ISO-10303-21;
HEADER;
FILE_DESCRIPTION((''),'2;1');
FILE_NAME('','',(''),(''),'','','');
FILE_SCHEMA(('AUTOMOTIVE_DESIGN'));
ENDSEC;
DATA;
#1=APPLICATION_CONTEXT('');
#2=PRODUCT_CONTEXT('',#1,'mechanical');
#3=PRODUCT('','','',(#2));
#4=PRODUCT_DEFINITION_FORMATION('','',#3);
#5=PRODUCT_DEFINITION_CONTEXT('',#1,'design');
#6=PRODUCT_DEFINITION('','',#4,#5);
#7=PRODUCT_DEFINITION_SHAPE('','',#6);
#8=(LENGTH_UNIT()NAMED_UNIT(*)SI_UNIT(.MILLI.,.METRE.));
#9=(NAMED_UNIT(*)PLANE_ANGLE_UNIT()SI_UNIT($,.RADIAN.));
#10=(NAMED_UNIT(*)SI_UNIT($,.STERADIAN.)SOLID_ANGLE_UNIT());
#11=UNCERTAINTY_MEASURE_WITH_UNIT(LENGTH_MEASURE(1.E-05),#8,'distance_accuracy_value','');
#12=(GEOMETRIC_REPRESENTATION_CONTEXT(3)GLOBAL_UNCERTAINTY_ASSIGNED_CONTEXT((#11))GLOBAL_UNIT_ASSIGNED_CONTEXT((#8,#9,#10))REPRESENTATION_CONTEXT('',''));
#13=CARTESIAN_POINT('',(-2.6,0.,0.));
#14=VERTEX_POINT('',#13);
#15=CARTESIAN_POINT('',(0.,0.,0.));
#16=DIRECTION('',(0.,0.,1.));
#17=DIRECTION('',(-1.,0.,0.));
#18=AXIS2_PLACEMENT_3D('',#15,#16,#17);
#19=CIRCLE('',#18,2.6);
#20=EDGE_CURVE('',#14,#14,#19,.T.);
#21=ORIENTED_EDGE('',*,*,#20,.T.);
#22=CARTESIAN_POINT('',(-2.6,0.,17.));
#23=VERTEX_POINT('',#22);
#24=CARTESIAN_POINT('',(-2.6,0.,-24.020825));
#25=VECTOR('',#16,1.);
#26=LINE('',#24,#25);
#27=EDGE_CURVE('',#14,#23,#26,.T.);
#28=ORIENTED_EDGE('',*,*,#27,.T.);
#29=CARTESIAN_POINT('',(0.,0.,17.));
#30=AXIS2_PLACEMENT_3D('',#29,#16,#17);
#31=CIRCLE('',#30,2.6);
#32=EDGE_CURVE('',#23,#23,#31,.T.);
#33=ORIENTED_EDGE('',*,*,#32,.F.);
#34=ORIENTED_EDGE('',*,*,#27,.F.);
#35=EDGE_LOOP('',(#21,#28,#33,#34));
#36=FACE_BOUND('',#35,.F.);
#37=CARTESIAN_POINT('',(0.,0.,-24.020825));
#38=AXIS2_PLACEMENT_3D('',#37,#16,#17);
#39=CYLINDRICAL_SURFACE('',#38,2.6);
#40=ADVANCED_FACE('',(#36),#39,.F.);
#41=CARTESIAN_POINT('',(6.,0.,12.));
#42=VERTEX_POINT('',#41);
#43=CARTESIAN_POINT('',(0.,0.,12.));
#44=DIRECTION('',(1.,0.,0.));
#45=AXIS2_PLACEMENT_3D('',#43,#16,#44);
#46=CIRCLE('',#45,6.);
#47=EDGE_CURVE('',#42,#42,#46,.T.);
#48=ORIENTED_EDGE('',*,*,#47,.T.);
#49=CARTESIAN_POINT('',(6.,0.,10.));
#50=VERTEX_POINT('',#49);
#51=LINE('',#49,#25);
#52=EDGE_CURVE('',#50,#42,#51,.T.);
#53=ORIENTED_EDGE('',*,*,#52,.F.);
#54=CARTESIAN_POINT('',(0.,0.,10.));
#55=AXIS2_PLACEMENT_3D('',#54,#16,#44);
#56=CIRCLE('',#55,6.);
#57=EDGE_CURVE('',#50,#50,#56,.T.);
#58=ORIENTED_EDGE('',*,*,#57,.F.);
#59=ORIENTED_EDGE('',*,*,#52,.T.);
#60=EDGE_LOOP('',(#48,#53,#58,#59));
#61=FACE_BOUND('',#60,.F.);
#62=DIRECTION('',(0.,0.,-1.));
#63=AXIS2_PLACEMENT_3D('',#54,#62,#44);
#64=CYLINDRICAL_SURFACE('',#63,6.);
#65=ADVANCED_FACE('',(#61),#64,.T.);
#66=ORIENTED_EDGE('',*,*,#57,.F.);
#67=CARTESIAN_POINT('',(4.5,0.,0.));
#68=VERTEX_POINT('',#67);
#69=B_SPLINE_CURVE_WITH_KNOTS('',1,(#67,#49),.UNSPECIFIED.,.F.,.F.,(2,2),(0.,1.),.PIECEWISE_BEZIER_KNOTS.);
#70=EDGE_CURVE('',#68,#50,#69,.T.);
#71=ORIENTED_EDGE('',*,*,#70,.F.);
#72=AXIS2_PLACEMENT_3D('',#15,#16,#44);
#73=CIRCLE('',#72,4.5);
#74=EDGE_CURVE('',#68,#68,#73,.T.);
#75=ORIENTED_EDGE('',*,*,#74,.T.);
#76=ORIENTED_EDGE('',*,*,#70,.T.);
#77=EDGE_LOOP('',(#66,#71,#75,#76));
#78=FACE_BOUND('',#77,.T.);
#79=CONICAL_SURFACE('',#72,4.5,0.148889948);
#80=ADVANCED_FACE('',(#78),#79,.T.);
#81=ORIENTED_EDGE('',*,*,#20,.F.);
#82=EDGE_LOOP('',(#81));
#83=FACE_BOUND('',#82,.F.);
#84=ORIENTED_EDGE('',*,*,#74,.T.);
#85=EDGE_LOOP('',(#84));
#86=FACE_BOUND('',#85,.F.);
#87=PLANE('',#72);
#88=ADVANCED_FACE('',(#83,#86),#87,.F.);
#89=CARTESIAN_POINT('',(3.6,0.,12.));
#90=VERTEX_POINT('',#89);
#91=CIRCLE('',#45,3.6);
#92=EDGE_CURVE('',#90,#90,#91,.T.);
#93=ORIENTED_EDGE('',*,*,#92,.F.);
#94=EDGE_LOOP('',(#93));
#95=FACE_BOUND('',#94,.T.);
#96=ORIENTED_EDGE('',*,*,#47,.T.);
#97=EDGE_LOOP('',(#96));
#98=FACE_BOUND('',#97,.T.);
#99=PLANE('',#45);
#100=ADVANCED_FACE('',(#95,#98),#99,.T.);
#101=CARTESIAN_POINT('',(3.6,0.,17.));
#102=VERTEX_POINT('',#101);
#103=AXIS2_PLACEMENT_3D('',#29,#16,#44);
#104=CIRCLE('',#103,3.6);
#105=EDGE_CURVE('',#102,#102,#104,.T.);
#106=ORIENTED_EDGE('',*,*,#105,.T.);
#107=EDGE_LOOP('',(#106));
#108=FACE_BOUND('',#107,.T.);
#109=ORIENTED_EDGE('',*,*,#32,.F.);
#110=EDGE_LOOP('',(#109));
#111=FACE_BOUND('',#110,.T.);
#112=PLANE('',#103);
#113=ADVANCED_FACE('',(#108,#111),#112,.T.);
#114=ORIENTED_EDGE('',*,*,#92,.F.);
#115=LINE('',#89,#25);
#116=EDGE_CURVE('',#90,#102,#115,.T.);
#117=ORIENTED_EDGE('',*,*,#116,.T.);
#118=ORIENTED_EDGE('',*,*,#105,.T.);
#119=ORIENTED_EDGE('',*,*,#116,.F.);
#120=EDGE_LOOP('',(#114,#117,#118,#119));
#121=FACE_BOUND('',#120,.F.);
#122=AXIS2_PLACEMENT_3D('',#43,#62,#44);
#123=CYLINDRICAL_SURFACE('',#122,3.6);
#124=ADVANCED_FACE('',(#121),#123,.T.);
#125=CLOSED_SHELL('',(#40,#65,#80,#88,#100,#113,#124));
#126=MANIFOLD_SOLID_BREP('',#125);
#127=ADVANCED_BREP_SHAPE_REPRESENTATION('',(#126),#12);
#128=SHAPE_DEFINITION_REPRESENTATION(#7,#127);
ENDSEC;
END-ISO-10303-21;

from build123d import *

# Parameters (mm, degrees)
F0_R     = 4.5
F2_R     = 6
F4_DEPTH = 2
F5_R     = 3.6
F6_DEPTH = 5
F7_D     = 5.2


with BuildPart() as f3:
    # F0 (on Top) → F3 section 0
    with BuildSketch(Plane.XY):
        Circle(F0_R)
    # F2 (on offset) → F3 section 1
    with BuildSketch(Plane.XY.offset(10)):
        Circle(F2_R)
    loft()

    # F4 (add): a face of the model
    f4_faces = [f3.faces().sort_by_distance(p)[0] for p in [
        (0, 0, 10),
    ]]
    extrude(f4_faces, amount=F4_DEPTH)

    # F5 (on face) → F6 (join)
    with BuildSketch(Plane.XY.offset(12)):
        Circle(F5_R)
    extrude(amount=F6_DEPTH)

    # F7 (through all)
    with Locations(Plane(origin=(0, 0, 0), x_dir=(1, 0, 0), z_dir=(0, 0, -1))):
        with Locations((0, 0)):
            Hole(F7_D / 2)


solid = f3.part
